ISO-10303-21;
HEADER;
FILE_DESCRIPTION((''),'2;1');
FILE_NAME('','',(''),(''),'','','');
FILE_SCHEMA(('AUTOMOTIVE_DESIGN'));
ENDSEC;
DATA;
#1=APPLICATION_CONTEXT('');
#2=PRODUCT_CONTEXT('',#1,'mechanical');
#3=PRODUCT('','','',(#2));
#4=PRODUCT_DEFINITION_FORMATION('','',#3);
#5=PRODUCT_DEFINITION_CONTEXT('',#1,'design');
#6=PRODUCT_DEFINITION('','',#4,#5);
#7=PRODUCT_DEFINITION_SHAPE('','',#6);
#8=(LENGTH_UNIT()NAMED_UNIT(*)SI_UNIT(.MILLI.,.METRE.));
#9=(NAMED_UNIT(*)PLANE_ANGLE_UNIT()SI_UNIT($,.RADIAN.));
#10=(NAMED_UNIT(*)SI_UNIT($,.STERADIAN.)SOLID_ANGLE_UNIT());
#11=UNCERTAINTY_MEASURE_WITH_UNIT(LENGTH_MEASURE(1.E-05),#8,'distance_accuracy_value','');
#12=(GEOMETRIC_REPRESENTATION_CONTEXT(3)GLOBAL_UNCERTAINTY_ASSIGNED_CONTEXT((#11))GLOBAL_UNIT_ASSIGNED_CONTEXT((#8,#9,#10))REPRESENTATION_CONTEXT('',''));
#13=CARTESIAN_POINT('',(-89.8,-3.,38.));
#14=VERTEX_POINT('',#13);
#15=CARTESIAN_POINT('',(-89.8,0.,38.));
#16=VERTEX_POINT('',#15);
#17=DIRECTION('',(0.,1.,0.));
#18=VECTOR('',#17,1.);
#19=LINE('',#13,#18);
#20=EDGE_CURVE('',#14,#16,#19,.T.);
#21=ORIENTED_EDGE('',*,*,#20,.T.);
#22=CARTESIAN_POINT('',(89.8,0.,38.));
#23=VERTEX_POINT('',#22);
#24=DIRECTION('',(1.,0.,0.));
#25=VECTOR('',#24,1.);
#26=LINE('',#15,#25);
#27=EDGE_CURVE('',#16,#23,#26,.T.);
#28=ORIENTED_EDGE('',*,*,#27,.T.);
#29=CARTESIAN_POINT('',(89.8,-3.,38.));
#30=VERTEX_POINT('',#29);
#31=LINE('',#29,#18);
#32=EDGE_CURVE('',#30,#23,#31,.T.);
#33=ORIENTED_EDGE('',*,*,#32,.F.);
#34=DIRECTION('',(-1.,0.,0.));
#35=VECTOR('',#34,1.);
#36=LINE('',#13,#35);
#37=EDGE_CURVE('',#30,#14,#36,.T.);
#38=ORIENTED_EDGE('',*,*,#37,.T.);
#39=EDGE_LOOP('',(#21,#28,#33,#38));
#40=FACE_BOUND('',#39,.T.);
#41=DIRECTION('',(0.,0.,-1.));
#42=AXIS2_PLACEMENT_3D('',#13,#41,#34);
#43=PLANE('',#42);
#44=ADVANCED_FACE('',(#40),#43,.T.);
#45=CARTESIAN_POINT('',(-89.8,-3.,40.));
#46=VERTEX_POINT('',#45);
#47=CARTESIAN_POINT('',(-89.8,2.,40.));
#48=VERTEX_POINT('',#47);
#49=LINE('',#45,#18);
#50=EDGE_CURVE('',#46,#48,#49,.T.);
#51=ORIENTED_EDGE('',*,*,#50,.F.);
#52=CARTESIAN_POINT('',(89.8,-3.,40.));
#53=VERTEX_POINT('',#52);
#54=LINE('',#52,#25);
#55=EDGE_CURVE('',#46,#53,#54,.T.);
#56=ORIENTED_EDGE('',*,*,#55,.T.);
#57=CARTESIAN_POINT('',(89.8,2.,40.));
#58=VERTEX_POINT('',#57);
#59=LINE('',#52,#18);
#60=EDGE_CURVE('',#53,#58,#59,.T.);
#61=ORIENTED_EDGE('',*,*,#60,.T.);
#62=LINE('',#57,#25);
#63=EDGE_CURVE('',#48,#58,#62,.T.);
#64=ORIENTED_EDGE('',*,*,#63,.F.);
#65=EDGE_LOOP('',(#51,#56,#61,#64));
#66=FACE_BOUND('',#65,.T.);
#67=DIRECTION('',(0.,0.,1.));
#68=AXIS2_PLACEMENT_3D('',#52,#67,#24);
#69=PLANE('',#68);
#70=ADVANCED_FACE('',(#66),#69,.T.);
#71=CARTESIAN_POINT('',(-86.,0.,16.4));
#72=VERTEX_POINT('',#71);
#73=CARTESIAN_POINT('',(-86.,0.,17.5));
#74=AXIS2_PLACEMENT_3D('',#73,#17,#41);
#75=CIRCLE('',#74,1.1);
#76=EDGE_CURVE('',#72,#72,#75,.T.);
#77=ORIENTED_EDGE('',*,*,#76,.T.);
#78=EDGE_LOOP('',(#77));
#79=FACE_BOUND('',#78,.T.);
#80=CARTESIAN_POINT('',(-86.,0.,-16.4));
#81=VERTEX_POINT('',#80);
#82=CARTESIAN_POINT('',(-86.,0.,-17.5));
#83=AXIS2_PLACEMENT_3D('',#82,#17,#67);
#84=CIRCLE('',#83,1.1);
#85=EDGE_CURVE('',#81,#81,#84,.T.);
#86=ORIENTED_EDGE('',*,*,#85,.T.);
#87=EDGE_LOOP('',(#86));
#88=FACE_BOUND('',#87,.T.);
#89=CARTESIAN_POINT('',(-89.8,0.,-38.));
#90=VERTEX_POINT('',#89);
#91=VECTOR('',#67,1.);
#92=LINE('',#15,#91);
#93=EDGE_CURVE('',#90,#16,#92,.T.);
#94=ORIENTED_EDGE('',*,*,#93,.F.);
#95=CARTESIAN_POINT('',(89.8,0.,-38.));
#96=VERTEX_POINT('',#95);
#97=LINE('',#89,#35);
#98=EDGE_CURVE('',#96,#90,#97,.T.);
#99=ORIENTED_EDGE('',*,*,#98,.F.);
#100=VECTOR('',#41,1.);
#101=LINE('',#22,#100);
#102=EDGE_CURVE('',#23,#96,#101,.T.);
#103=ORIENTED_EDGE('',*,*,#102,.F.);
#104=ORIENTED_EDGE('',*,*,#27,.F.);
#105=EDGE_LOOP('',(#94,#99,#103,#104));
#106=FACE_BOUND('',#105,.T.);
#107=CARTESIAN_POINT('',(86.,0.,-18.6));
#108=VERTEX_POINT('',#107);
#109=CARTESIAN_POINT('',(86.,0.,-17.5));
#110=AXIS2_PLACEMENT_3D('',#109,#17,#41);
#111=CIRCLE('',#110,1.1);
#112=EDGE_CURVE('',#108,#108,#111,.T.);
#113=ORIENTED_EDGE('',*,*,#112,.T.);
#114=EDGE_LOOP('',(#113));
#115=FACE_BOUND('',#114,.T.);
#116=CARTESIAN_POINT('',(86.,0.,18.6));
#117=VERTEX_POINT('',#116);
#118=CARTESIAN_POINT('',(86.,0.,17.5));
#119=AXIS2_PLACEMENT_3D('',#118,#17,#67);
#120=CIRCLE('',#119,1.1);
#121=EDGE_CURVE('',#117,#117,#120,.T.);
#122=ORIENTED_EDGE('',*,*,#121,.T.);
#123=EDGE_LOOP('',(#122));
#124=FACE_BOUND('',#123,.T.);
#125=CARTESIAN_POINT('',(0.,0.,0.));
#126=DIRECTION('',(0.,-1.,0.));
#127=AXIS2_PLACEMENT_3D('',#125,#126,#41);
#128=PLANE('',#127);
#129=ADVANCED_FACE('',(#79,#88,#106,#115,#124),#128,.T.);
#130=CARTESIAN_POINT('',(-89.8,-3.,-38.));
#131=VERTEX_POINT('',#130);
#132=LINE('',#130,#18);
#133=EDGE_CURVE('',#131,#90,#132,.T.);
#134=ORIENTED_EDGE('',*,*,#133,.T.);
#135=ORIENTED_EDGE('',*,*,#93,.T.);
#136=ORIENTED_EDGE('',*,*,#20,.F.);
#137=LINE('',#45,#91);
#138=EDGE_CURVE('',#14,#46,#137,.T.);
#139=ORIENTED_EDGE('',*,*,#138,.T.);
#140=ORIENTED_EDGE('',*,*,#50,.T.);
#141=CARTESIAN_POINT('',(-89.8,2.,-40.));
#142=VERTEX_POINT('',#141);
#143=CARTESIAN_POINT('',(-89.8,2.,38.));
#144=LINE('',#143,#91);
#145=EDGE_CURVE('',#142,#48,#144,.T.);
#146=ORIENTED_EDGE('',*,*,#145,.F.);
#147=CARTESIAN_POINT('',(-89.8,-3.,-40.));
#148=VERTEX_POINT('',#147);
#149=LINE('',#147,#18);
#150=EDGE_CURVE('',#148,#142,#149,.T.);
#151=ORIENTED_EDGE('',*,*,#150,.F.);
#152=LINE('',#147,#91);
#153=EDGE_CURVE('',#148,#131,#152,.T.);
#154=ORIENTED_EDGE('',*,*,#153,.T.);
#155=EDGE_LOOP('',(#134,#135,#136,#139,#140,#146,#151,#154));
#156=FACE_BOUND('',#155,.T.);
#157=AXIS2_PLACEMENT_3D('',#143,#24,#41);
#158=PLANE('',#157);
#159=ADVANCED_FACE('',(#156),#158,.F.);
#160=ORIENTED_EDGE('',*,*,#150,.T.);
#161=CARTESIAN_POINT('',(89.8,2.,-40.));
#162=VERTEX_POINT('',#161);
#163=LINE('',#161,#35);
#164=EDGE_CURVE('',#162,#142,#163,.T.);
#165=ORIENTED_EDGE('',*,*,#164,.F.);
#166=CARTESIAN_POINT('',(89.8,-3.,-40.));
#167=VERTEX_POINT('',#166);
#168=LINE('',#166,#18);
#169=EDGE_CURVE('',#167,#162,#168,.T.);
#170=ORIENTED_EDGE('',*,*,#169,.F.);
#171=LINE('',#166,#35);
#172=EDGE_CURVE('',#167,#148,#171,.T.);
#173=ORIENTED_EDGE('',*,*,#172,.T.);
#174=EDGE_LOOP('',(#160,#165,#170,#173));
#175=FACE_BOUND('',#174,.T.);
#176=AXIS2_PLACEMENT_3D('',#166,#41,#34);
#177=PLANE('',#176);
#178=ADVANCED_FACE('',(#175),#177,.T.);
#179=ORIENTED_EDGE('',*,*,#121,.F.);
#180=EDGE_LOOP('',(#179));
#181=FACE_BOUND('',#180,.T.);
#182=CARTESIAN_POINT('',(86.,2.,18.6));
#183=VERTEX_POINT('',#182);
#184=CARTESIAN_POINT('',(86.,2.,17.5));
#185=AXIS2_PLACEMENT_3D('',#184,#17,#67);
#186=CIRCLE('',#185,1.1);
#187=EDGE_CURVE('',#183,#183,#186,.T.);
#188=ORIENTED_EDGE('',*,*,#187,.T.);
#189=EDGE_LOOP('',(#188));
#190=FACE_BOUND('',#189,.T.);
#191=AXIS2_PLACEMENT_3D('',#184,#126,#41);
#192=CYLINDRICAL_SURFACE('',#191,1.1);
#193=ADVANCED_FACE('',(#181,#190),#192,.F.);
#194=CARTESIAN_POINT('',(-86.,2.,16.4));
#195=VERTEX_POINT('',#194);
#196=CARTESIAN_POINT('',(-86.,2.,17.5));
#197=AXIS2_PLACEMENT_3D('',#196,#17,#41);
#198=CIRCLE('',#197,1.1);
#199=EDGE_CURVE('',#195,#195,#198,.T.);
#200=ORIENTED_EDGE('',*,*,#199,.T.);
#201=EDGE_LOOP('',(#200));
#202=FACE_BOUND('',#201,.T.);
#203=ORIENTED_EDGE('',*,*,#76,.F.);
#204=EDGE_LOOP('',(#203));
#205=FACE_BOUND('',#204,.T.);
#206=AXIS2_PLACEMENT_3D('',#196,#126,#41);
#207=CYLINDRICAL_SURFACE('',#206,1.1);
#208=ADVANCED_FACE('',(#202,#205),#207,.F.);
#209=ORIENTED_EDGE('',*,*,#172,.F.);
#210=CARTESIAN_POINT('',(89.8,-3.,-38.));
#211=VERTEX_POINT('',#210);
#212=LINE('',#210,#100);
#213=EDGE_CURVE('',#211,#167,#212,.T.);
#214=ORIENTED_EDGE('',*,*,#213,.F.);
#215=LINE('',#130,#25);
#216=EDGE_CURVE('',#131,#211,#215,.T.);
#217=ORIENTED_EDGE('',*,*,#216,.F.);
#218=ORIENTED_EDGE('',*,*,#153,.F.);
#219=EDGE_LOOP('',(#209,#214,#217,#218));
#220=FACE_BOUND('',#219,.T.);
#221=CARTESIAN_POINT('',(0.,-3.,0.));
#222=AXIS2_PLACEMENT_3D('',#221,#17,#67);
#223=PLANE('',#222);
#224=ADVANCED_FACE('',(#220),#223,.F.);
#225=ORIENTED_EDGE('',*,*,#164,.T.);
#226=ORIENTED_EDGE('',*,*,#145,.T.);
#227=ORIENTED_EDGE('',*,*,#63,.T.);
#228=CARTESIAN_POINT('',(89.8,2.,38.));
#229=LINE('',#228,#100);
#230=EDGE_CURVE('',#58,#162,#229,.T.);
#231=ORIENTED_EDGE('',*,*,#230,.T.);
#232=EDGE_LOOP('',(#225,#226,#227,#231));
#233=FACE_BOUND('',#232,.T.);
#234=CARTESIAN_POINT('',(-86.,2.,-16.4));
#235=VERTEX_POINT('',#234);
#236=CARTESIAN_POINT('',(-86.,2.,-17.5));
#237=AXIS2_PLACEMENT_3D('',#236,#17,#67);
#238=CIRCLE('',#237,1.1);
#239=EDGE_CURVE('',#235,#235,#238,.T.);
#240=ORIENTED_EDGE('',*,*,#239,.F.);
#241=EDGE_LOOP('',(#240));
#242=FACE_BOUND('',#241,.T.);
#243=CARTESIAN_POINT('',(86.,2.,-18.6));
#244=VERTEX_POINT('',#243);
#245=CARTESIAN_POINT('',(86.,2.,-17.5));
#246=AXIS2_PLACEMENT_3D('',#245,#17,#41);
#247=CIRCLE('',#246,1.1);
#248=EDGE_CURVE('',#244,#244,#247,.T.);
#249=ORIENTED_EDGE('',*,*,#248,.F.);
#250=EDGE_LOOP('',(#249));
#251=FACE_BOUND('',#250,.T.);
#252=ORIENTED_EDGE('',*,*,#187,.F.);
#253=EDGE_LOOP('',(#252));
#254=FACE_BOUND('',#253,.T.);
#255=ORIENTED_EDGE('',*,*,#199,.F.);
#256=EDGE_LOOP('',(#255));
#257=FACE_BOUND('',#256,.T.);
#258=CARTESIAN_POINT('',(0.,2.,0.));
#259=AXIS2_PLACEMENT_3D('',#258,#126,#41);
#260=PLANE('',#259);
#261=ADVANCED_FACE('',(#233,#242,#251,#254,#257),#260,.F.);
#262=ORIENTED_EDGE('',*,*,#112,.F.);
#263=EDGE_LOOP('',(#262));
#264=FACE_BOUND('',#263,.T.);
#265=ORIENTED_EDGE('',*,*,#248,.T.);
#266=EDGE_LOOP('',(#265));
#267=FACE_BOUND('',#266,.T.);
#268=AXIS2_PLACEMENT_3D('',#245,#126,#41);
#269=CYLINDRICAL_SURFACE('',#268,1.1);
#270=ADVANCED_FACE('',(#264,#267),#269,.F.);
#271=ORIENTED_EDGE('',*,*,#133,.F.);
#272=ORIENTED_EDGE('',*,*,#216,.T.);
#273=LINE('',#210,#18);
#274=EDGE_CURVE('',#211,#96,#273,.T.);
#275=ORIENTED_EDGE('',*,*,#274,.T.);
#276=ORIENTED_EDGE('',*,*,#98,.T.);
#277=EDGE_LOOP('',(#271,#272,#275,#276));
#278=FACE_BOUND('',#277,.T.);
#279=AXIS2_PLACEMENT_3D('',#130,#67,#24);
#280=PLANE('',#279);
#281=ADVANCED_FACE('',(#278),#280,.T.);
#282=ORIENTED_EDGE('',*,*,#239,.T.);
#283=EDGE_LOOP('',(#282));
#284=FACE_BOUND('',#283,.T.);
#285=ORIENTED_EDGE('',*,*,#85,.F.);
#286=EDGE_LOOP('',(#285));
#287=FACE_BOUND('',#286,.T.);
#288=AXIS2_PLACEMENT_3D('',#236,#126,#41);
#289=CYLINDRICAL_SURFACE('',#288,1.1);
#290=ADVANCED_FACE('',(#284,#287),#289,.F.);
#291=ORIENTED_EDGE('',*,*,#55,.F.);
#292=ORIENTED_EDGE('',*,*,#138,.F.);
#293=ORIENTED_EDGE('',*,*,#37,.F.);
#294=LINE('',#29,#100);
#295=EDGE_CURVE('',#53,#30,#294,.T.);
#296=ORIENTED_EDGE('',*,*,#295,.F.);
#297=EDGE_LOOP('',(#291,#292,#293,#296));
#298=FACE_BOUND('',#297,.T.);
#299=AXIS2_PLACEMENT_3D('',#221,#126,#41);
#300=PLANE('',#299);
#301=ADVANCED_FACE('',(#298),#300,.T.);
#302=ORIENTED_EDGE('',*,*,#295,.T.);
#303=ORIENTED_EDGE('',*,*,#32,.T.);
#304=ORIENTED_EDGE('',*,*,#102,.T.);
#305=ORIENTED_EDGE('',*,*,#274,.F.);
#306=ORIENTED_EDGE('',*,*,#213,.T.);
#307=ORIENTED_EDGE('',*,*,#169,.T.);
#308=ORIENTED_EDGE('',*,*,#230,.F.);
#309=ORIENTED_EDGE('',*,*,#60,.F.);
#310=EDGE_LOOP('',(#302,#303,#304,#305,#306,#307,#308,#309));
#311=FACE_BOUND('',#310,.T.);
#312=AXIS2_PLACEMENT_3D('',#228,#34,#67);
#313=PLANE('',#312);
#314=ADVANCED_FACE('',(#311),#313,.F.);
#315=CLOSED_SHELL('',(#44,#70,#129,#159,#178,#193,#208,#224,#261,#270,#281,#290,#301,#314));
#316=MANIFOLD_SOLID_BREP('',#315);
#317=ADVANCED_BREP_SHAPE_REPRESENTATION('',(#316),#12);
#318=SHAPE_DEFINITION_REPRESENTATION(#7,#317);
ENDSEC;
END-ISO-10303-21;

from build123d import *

# Parameters (mm, degrees)
SKETCH_1_W      = 179.6
SKETCH_1_H      = 76
SKETCH_1_R      = 1.1
EXTRUDE_1_DEPTH = 2
SKETCH_2_W      = 179.6
SKETCH_2_H      = 2
EXTRUDE_2_DEPTH = 5


with BuildPart() as part:
    # 草图1 → 凸台-拉伸1 (new body)
    with BuildSketch(Plane(origin=(0, 0, 0), x_dir=(1, 0, 0), z_dir=(0, 1, 0))):
        Rectangle(SKETCH_1_W, SKETCH_1_H)
        with Locations(Location((-86, 17.5, 0), (0, 0, 270))):
            Circle(SKETCH_1_R, mode=Mode.SUBTRACT)
        with Locations(Location((-86, -17.5, 0), (0, 0, 90))):
            Circle(SKETCH_1_R, mode=Mode.SUBTRACT)
        with Locations(Location((86, -17.5, 0), (0, 0, 270))):
            Circle(SKETCH_1_R, mode=Mode.SUBTRACT)
        with Locations(Location((86, 17.5, 0), (0, 0, 90))):
            Circle(SKETCH_1_R, mode=Mode.SUBTRACT)
    extrude(amount=EXTRUDE_1_DEPTH)

    # 草图2 → 凸台-拉伸2 (add)
    with BuildSketch(Plane(origin=(0, 2, 0), x_dir=(1, 0, 0), z_dir=(0, 1, 0))):
        with Locations((0, 39)):
            Rectangle(SKETCH_2_W, SKETCH_2_H)
        with Locations((0, -39)):
            Rectangle(SKETCH_2_W, SKETCH_2_H)
    extrude(amount=-EXTRUDE_2_DEPTH)


solid = part.part
